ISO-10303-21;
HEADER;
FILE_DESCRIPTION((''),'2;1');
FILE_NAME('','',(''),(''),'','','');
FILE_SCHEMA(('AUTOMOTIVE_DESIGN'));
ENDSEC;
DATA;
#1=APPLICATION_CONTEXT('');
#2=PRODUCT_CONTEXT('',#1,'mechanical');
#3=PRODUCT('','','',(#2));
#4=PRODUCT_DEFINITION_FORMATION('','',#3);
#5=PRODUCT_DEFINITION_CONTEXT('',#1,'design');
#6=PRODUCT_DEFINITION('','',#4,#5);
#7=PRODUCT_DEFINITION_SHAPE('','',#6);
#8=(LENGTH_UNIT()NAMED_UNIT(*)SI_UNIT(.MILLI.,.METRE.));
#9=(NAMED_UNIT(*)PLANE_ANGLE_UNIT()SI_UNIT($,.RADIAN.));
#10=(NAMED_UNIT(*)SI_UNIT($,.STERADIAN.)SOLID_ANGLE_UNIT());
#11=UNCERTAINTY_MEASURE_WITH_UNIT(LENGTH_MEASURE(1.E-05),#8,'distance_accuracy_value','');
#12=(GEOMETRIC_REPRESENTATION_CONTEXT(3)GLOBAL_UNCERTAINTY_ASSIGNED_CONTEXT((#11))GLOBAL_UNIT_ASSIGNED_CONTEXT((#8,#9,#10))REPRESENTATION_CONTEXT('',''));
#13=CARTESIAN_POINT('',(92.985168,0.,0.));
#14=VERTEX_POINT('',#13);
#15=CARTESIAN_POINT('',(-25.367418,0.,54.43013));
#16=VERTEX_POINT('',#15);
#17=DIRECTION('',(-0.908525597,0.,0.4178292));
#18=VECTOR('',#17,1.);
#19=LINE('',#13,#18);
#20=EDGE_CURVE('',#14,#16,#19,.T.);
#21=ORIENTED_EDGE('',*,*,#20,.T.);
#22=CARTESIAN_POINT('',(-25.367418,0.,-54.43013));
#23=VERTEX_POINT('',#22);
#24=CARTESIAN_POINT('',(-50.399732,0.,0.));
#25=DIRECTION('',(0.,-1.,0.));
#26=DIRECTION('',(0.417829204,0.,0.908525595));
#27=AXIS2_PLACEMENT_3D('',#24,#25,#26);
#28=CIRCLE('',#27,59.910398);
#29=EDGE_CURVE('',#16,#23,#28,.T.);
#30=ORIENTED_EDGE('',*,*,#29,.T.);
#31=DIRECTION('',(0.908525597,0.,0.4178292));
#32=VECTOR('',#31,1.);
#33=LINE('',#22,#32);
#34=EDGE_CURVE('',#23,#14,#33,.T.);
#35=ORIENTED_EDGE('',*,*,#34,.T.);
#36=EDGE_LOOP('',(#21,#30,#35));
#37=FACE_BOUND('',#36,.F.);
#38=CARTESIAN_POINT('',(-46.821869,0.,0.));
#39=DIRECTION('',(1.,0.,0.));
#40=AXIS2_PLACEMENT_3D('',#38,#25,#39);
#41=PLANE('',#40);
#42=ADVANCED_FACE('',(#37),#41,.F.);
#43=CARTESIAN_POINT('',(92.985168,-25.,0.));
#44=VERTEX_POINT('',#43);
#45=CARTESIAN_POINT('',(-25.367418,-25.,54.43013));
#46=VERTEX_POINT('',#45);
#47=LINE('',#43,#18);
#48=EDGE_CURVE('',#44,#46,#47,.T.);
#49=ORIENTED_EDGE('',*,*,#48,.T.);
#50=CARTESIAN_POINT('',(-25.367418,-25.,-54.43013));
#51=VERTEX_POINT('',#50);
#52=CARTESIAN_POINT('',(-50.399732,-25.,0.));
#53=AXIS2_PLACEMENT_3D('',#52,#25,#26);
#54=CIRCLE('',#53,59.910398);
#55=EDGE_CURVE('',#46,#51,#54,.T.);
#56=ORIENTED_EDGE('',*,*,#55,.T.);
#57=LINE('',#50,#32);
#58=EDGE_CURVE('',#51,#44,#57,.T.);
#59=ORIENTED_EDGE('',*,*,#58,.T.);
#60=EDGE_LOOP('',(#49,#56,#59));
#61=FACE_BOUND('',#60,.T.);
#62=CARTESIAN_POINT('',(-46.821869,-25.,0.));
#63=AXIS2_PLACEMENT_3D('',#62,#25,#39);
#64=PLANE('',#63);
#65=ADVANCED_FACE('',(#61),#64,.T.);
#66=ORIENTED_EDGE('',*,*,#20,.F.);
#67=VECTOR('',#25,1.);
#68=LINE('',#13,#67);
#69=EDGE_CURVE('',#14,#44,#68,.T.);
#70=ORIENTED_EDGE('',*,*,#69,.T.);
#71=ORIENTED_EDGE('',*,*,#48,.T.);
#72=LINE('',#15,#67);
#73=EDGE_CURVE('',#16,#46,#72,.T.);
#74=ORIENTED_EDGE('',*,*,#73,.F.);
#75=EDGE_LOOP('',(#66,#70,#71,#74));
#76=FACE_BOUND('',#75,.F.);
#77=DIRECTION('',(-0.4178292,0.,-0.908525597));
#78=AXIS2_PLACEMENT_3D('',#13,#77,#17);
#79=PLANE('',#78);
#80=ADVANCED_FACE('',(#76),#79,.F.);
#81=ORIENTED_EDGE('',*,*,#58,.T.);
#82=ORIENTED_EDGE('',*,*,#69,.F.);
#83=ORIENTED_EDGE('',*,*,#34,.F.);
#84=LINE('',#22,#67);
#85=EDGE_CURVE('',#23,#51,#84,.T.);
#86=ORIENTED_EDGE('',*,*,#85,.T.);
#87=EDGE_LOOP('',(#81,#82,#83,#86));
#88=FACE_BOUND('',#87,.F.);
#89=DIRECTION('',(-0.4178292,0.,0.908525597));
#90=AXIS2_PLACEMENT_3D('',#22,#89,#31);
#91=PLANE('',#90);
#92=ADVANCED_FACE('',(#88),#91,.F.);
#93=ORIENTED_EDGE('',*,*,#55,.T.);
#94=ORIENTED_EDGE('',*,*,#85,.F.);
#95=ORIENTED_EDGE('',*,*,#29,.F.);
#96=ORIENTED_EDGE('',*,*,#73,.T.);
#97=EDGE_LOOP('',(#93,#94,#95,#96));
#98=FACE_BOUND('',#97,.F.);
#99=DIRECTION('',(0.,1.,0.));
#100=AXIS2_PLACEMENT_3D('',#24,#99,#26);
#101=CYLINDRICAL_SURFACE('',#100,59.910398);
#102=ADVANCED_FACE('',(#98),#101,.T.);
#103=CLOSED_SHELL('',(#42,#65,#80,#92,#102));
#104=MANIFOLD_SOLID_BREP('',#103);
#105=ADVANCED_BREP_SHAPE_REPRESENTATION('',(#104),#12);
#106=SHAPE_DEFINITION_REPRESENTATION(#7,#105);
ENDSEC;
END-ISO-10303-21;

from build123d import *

# Parameters (mm, degrees)
F1_DEPTH = 25


with BuildPart() as f1:
    # F0 (on Front) → F1 (new body)
    with BuildSketch(Plane.XZ):
        with BuildLine():
            ThreePointArc((-25.367418, -54.43013), (0.043066, -32.323056), (9.510666, 0))
            ThreePointArc((9.510666, 0), (0.043066, 32.323056), (-25.367418, 54.43013))
            ThreePointArc((-25.367418, 54.43013), (-110.31013, 0), (-25.367418, -54.43013))
        make_face()
        with BuildLine():
            ThreePointArc((-25.367418, 54.43013), (0.043066, 32.323056), (9.510666, 0))
            ThreePointArc((9.510666, 0), (0.043066, -32.323056), (-25.367418, -54.43013))
            Line((-25.367418, -54.43013), (92.985168, 0))
            Line((92.985168, 0), (-25.367418, 54.43013))
        make_face()
    extrude(amount=F1_DEPTH)


solid = f1.part
